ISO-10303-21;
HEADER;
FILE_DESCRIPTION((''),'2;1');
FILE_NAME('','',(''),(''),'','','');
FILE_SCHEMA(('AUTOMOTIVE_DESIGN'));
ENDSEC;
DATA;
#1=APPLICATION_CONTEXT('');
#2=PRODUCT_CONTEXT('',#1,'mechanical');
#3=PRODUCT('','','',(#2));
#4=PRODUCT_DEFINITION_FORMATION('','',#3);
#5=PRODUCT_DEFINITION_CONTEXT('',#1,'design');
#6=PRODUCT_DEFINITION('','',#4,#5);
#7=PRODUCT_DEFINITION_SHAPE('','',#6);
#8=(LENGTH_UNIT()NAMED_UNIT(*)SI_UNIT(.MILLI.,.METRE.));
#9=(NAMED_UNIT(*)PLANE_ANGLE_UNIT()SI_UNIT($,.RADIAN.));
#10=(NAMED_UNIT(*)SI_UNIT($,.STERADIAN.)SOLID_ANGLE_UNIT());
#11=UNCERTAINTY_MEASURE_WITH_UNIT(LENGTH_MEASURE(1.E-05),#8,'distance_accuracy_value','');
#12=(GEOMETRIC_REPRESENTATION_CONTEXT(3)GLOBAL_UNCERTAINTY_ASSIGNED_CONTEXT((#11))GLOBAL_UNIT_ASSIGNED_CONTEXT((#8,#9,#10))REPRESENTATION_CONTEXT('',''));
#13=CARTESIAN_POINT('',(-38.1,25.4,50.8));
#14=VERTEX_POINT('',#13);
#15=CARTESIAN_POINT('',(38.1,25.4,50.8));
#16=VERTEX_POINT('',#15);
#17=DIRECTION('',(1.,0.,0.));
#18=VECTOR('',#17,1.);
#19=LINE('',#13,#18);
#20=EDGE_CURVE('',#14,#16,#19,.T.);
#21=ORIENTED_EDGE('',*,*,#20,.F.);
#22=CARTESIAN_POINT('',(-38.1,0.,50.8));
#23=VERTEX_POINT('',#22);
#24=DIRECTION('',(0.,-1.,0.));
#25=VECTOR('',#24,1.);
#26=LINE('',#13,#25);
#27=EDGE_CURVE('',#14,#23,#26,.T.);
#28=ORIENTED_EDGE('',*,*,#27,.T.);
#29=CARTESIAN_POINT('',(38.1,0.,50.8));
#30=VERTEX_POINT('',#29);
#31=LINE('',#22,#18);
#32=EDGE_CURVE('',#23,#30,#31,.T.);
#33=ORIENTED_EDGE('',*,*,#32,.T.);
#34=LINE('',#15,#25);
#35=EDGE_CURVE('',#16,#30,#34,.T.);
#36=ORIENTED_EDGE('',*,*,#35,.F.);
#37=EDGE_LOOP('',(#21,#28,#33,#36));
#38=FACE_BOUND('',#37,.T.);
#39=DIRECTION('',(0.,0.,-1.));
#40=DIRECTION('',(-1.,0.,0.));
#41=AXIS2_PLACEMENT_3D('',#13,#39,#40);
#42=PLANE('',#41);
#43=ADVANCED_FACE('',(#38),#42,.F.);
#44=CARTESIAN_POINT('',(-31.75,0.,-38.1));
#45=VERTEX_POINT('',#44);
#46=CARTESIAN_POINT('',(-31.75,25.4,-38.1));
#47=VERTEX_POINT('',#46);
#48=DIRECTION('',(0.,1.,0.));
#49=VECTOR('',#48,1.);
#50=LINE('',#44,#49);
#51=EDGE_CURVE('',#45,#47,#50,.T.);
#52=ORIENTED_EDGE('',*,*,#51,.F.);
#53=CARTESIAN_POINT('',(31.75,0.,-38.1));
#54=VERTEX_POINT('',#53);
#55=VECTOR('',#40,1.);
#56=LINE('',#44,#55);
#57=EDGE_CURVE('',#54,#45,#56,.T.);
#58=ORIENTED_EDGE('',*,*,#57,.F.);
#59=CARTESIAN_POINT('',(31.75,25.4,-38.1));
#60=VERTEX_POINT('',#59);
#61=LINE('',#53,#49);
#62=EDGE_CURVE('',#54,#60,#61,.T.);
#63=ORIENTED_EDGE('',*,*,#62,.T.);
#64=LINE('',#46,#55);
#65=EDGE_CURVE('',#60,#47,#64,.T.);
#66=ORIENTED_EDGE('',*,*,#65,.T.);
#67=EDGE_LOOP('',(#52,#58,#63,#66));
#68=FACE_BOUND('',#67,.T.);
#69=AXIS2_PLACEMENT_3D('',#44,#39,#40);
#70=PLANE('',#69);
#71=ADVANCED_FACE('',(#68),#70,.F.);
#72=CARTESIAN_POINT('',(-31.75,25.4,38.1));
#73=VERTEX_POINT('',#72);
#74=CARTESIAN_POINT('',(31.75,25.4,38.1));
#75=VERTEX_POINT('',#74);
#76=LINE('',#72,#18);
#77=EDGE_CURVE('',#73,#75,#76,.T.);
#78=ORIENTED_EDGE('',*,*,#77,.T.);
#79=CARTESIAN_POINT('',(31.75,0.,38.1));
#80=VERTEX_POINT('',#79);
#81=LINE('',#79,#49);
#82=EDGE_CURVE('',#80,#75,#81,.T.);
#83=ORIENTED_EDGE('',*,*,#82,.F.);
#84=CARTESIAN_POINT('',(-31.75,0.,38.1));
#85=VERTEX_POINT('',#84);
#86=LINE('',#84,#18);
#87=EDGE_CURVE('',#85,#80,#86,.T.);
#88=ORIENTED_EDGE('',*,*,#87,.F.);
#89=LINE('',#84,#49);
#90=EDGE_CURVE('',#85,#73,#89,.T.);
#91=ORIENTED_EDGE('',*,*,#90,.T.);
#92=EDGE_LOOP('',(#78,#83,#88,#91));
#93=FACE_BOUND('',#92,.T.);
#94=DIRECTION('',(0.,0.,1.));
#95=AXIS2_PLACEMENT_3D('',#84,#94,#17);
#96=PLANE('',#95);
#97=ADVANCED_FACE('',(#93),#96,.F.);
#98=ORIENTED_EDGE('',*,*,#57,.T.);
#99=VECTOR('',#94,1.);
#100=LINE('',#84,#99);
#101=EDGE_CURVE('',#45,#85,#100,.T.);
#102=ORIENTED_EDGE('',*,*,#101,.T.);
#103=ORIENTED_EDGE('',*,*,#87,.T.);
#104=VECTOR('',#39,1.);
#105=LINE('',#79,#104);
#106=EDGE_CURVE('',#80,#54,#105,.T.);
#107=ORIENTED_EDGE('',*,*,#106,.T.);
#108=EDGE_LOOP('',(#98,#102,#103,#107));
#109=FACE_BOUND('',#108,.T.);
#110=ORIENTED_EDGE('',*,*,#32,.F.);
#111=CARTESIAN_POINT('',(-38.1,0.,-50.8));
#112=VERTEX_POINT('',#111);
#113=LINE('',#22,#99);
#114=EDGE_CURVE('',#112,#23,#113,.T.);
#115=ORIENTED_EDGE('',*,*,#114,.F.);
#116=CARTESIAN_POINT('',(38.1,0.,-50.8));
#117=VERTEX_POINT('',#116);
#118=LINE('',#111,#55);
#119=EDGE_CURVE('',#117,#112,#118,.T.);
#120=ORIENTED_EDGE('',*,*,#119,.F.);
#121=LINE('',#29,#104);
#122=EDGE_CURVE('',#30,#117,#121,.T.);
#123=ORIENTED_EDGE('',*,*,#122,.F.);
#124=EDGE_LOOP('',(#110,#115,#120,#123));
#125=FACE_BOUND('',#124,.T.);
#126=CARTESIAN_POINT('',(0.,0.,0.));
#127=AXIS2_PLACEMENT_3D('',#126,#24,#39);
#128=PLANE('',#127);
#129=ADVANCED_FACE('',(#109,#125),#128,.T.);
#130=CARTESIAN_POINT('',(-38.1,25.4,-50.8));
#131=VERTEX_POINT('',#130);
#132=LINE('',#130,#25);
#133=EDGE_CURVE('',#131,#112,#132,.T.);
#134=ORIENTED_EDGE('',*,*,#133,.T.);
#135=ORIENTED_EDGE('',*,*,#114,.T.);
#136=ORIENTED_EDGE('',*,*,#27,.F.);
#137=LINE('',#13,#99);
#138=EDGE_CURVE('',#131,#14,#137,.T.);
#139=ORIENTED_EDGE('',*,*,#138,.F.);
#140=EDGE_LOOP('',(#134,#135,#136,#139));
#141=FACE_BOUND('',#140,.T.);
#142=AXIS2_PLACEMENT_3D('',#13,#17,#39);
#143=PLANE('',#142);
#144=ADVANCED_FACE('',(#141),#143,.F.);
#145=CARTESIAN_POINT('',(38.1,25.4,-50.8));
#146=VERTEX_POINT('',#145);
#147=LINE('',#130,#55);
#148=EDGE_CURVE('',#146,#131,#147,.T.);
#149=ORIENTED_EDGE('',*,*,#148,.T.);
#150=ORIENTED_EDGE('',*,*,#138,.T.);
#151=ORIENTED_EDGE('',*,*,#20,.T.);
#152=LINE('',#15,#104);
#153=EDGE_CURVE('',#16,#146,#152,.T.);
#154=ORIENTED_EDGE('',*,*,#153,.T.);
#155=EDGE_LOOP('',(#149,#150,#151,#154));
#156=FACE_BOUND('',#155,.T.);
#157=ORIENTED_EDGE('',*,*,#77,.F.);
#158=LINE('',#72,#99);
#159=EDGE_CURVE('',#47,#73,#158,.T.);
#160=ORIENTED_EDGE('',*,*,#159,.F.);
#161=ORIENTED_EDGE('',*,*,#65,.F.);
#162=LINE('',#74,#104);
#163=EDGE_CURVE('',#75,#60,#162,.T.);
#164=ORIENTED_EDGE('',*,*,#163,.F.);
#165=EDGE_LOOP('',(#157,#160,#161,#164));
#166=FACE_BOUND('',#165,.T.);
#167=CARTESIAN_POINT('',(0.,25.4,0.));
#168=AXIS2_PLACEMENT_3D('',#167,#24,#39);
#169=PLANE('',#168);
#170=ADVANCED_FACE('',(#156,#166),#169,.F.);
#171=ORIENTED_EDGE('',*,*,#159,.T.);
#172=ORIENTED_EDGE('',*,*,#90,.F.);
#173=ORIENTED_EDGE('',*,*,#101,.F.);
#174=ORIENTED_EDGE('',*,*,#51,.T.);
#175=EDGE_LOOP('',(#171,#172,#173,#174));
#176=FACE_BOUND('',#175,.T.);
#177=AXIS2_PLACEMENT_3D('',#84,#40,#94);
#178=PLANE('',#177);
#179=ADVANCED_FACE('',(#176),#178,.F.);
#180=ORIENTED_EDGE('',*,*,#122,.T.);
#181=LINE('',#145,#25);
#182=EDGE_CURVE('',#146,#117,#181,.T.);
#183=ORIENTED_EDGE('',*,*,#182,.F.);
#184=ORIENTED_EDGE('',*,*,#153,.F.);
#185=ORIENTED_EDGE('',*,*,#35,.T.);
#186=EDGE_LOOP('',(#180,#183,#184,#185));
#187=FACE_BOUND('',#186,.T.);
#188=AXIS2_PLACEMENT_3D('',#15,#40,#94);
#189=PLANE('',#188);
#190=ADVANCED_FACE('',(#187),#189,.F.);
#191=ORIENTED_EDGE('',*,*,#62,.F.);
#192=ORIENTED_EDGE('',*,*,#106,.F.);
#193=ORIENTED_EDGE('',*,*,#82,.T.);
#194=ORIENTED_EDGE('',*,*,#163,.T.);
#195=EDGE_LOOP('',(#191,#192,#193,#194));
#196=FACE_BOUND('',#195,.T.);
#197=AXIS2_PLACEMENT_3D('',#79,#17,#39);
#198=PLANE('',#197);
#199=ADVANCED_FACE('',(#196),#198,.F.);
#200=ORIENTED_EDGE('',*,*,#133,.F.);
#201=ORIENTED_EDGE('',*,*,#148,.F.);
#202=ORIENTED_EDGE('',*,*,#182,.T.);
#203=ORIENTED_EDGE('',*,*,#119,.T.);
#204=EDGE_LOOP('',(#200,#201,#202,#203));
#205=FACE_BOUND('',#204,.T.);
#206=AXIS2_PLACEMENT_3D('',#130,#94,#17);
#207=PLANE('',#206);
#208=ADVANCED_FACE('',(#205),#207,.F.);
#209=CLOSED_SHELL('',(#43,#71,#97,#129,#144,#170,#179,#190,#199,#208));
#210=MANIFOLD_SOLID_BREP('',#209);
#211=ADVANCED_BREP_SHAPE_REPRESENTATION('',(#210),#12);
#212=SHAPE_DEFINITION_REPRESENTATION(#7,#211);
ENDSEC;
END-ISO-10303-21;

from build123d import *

# Parameters (mm, degrees)
SKETCH1_W           = 76.2
SKETCH1_H           = 101.6
BOSS_EXTRUDE1_DEPTH = 25.4
SKETCH2_W           = 63.5
SKETCH2_H           = 76.2
CUT_EXTRUDE1_DEPTH  = 69.391593051


with BuildPart() as part:
    # Sketch1 → Boss-Extrude1 (new body)
    with BuildSketch(Plane(origin=(0, 0, 0), x_dir=(1, 0, 0), z_dir=(0, 1, 0))):
        Rectangle(SKETCH1_W, SKETCH1_H)
    extrude(amount=BOSS_EXTRUDE1_DEPTH)

    # Sketch2 → Cut-Extrude1 (cut, through all)
    with BuildSketch(Plane(origin=(0, 25.4, 0), x_dir=(1, 0, 0), z_dir=(0, 1, 0))):
        Rectangle(SKETCH2_W, SKETCH2_H)
    extrude(amount=-CUT_EXTRUDE1_DEPTH, mode=Mode.SUBTRACT)


solid = part.part
